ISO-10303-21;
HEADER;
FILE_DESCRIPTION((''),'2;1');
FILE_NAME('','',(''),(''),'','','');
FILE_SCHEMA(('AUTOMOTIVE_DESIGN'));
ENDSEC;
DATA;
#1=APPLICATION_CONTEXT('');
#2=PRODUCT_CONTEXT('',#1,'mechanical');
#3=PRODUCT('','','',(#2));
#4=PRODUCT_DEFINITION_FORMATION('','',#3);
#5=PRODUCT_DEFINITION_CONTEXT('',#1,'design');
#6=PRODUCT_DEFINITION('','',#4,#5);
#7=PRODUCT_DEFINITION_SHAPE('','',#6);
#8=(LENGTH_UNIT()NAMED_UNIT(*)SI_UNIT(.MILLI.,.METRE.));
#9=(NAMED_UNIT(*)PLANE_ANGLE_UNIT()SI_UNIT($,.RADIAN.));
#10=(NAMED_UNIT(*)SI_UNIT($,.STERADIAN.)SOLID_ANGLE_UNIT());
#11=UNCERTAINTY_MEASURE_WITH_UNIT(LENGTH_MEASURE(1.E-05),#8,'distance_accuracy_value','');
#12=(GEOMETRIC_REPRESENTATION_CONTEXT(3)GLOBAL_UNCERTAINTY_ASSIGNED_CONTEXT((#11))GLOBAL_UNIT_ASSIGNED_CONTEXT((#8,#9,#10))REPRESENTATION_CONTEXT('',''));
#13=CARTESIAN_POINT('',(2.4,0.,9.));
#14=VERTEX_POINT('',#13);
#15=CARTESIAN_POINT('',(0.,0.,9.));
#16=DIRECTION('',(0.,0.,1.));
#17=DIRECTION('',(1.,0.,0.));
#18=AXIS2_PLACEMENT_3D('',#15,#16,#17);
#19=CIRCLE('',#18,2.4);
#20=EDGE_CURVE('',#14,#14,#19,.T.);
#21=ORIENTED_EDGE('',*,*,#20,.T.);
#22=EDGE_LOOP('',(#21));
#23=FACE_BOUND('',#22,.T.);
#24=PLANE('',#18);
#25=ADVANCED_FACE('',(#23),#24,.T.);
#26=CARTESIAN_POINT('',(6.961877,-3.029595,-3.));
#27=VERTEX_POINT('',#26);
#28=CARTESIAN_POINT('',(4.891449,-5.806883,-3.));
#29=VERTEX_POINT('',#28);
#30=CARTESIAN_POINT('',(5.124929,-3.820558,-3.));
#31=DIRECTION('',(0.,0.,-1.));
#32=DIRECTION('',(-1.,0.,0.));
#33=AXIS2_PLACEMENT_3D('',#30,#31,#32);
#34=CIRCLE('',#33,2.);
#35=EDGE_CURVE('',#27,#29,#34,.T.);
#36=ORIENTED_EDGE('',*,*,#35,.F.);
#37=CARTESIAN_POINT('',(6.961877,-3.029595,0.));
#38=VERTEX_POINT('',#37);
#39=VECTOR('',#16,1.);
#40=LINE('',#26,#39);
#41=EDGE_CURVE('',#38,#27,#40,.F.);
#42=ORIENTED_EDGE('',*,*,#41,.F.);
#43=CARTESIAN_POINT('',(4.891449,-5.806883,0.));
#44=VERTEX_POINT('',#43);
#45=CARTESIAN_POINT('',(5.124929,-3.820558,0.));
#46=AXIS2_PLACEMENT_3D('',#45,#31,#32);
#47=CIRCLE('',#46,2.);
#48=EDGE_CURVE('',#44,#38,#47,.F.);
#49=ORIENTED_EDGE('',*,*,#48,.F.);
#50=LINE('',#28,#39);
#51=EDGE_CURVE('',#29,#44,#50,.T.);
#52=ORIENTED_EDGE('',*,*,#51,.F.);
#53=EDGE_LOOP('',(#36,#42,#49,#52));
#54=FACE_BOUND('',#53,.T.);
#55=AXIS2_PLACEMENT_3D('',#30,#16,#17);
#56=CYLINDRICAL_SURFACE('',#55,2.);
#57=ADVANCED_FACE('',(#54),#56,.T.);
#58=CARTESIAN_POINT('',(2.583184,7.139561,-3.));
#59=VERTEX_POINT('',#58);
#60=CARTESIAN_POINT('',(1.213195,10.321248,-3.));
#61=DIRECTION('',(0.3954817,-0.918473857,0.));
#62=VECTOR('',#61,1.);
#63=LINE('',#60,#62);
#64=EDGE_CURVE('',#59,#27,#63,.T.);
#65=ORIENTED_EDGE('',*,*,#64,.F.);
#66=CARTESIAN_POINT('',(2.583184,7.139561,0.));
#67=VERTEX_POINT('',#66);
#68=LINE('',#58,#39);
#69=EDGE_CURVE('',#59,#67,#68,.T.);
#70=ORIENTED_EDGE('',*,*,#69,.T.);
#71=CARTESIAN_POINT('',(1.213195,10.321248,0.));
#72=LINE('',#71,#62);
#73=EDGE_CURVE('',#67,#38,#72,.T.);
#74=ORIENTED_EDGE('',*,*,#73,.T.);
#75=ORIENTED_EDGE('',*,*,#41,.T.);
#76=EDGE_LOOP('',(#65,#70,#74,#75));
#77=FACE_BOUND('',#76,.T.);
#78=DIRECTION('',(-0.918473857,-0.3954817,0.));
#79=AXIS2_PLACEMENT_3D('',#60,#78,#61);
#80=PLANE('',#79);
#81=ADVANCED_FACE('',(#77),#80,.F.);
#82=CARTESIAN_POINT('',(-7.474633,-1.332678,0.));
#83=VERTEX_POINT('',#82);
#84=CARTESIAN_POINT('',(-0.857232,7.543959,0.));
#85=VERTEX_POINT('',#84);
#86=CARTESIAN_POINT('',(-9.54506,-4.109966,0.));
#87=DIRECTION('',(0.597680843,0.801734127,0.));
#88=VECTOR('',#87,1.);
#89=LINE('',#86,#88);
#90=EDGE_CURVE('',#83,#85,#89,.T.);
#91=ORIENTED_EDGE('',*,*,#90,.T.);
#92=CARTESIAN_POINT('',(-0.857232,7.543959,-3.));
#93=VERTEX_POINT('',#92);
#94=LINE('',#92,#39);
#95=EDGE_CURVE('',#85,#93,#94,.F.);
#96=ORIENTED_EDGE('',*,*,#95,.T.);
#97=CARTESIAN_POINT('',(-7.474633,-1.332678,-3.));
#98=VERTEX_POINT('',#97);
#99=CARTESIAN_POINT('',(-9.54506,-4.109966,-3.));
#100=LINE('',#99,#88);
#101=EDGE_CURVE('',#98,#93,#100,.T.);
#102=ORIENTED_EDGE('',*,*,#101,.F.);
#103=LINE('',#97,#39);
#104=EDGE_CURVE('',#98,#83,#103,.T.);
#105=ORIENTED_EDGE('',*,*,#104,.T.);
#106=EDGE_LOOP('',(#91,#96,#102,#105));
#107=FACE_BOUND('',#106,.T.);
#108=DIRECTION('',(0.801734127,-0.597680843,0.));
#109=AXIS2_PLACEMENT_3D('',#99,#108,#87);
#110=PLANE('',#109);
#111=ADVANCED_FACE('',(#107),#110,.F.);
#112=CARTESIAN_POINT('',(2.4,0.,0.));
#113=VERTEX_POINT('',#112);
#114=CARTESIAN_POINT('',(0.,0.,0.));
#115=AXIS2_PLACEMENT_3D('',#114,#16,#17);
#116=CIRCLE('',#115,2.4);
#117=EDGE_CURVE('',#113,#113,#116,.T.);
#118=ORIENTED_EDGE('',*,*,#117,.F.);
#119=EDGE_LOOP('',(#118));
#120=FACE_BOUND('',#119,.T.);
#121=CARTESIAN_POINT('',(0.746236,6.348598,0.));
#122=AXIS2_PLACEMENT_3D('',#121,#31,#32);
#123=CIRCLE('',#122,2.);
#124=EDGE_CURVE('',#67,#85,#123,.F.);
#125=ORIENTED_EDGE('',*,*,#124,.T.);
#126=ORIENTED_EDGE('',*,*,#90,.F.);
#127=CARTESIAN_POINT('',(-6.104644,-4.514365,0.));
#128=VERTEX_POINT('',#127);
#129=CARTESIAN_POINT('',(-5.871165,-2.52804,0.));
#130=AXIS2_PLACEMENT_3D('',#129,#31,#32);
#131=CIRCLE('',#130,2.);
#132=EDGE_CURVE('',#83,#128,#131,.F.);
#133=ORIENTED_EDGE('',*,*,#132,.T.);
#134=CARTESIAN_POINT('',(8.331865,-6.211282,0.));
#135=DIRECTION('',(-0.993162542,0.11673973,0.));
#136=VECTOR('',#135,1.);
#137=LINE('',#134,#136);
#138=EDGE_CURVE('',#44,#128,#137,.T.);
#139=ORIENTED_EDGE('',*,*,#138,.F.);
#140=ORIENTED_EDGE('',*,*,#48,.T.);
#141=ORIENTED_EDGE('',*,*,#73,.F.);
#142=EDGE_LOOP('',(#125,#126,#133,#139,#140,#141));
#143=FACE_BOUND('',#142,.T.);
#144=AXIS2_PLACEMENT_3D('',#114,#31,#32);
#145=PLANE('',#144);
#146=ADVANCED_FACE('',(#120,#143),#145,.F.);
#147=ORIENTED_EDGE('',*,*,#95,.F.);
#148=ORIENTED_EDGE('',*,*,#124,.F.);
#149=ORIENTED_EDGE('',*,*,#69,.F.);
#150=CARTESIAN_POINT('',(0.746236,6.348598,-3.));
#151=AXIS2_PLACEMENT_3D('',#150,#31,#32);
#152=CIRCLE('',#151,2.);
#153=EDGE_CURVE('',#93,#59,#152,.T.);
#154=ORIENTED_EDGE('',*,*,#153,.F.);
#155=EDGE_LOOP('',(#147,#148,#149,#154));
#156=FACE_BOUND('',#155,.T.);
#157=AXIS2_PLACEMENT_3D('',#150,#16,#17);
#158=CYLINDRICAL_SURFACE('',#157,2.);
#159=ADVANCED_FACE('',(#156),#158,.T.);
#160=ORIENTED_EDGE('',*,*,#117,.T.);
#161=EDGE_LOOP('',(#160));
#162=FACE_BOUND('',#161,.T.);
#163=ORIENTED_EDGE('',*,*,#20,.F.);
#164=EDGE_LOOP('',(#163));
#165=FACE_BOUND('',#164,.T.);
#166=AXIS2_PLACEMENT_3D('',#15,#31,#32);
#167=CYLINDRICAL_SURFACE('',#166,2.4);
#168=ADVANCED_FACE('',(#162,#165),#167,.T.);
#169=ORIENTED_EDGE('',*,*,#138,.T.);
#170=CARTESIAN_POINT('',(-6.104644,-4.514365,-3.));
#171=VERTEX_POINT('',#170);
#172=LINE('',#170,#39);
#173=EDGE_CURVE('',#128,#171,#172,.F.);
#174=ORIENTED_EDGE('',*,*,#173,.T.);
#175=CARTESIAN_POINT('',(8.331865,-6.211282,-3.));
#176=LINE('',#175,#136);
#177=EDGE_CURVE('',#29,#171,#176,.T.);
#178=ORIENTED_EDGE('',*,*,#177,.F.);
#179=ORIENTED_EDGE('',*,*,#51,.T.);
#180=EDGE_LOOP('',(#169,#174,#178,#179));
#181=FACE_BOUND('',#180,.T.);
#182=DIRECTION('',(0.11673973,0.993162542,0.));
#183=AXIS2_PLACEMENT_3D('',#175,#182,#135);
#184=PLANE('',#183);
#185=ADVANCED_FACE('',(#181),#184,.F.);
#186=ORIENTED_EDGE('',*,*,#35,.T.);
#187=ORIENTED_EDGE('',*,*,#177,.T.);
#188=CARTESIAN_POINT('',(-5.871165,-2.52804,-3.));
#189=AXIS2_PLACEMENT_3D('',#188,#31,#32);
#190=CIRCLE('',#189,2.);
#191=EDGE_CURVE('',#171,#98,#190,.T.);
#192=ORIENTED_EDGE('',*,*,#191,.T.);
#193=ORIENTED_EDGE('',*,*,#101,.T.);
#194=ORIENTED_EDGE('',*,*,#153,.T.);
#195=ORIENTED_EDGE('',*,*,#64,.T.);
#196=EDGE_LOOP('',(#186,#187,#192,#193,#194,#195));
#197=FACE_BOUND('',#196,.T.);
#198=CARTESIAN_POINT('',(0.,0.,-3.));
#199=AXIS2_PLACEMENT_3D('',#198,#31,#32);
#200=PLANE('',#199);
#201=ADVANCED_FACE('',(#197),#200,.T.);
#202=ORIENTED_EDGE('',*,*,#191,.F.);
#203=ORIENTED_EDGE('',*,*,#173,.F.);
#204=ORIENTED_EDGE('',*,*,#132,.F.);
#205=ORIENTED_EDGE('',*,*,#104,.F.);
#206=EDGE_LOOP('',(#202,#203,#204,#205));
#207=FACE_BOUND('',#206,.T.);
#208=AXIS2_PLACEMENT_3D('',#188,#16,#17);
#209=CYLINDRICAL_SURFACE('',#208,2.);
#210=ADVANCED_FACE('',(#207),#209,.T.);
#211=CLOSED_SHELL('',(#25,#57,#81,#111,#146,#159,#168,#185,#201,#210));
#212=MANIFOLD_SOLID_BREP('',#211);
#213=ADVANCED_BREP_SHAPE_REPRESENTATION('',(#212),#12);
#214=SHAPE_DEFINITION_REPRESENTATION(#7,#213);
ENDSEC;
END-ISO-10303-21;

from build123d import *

# Parameters (mm, degrees)
SKETCH_1_R      = 2.4
EXTRUDE_1_DEPTH = 9
EXTRUDE_2_DEPTH = 3
FILLET_2_R      = 2
FILLET_3_R      = 2
FILLET_4_R      = 2


with BuildPart() as part:
    # 草图1 → 凸台-拉伸1 (new body)
    with BuildSketch(Plane.XY):
        Circle(SKETCH_1_R)
    extrude(amount=EXTRUDE_1_DEPTH)

    # 草图2 → 凸台-拉伸2 (add)
    with BuildSketch(Plane(origin=(0, 0, 0), x_dir=(-1, 0, 0), z_dir=(0, 0, -1))):
        Polygon((9.54506031, -4.109966384), (-1.213194857, 10.321247901), (-8.331865453, -6.211281517), align=None)
    extrude(amount=EXTRUDE_2_DEPTH)

    # 圆角2
    fillet_2_edges = [part.edges().sort_by_distance(p)[0] for p in [
        (-9.54506031, -4.109966384, -1.5),
    ]]
    fillet(fillet_2_edges, radius=FILLET_2_R)

    # 圆角3
    fillet_3_edges = [part.edges().sort_by_distance(p)[0] for p in [
        (1.213194857, 10.321247901, -1.5),
    ]]
    fillet(fillet_3_edges, radius=FILLET_3_R)

    # 圆角4
    fillet_4_edges = [part.edges().sort_by_distance(p)[0] for p in [
        (8.331865453, -6.211281517, -1.5),
    ]]
    fillet(fillet_4_edges, radius=FILLET_4_R)


solid = part.part
